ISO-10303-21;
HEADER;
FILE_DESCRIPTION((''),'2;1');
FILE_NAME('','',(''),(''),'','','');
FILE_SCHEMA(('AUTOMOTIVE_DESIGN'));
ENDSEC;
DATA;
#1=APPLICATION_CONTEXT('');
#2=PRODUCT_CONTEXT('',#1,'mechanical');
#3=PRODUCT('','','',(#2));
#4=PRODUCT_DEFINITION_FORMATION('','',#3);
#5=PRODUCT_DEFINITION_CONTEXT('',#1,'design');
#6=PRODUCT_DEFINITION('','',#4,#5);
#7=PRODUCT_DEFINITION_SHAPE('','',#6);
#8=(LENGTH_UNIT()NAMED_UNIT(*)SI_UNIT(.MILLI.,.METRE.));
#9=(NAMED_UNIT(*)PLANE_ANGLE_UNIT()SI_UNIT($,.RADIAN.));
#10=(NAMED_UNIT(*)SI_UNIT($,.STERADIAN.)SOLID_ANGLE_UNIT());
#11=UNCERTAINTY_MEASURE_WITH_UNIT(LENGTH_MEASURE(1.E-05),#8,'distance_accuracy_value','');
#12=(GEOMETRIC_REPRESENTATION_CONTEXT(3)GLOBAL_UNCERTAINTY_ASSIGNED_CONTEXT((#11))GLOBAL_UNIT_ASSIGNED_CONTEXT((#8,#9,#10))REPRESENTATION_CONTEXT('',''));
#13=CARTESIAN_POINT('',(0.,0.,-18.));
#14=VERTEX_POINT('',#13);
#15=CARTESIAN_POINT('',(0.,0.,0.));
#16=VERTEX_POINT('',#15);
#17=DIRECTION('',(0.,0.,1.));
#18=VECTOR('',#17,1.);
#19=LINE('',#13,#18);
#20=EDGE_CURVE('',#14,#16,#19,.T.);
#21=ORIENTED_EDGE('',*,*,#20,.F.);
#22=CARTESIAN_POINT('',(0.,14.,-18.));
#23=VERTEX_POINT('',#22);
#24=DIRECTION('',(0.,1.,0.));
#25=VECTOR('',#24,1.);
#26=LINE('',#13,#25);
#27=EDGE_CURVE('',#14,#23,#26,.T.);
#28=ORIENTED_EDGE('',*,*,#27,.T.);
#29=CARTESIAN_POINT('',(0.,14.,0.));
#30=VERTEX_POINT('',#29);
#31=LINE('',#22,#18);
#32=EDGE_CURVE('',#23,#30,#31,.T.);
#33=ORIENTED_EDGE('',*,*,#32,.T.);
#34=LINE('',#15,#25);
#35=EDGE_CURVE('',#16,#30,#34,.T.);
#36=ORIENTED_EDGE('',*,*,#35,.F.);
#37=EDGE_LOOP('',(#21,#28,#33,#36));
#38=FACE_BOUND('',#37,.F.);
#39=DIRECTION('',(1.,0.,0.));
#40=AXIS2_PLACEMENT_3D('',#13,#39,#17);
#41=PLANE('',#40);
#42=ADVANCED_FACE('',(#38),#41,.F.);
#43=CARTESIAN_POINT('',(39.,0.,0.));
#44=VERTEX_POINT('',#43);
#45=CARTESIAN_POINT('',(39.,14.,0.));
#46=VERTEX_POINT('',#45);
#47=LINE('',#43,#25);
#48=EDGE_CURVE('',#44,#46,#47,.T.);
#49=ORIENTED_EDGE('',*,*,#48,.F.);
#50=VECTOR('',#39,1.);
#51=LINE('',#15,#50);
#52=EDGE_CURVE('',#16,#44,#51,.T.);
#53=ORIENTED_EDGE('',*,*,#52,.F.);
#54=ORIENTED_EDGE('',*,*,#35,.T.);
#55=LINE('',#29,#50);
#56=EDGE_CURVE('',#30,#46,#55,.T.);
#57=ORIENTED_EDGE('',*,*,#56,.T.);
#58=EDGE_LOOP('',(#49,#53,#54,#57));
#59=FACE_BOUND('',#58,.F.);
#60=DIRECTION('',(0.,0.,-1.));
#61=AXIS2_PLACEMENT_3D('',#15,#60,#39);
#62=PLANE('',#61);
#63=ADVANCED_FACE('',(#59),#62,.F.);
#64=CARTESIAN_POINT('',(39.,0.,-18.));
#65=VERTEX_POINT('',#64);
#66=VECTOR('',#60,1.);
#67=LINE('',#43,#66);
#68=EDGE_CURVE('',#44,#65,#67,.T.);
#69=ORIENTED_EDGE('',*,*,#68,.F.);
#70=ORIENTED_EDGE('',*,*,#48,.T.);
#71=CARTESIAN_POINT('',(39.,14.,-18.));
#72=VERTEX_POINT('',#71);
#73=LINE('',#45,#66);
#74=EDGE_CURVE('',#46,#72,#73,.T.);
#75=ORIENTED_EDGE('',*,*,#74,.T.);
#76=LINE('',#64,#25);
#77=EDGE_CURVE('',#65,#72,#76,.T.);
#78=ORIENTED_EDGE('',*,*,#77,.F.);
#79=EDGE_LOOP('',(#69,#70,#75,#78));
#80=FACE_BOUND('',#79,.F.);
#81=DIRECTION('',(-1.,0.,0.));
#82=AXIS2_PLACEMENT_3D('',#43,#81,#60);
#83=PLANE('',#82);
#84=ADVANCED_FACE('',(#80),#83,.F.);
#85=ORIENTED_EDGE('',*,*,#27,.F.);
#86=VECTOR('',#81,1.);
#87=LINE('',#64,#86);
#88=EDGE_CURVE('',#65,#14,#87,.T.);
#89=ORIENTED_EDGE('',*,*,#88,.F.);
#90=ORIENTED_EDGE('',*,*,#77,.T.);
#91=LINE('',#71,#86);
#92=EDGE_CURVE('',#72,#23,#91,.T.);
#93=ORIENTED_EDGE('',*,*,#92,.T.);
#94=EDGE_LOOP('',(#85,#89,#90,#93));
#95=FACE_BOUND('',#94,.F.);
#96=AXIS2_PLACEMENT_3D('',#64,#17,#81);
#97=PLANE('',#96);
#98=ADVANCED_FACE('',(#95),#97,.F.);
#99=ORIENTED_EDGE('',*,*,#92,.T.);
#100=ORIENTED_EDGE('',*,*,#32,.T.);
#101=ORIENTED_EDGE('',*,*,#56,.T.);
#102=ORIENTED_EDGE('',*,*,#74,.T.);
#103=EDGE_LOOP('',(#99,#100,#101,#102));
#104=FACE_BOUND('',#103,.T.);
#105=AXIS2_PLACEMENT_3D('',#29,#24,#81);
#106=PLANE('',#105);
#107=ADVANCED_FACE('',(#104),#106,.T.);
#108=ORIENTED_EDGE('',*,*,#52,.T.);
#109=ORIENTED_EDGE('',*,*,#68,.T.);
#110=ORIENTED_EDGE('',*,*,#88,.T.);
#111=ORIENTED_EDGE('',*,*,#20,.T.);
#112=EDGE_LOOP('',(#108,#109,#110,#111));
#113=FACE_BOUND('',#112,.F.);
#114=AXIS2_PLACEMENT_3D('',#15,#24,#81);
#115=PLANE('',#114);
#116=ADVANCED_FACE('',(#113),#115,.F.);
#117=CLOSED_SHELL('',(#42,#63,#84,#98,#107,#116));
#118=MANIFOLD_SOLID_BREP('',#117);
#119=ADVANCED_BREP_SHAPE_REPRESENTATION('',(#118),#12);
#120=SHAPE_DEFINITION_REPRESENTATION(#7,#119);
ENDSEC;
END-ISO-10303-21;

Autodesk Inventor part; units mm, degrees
ref_plane "YZ Plane" through (0, 0, 0) normal (1, 0, 0) x (0, 1, 0)
ref_plane "XZ Plane" through (0, 0, 0) normal (0, 1, 0) x (-1, 0, 0)
ref_plane "XY Plane" through (0, 0, 0) normal (0, 0, 1) x (1, 0, 0)
sketch "Szkic1" plane through (0, 0, 0) normal (0, 1, 0) x (-1, 0, 0)
  line L0 (0, 0) -> (-39, 0)
  line L1 (-39, 0) -> (-39, -18)
  line L2 (-39, -18) -> (0, -18)
  line L3 (0, -18) -> (0, 0)
  dimension "d0" = 39
  dimension "d1" = 18
extrude "Wyciągnięcie proste1" add sketch "Szkic1" along normal blind 14
properties part number "LiPol"
